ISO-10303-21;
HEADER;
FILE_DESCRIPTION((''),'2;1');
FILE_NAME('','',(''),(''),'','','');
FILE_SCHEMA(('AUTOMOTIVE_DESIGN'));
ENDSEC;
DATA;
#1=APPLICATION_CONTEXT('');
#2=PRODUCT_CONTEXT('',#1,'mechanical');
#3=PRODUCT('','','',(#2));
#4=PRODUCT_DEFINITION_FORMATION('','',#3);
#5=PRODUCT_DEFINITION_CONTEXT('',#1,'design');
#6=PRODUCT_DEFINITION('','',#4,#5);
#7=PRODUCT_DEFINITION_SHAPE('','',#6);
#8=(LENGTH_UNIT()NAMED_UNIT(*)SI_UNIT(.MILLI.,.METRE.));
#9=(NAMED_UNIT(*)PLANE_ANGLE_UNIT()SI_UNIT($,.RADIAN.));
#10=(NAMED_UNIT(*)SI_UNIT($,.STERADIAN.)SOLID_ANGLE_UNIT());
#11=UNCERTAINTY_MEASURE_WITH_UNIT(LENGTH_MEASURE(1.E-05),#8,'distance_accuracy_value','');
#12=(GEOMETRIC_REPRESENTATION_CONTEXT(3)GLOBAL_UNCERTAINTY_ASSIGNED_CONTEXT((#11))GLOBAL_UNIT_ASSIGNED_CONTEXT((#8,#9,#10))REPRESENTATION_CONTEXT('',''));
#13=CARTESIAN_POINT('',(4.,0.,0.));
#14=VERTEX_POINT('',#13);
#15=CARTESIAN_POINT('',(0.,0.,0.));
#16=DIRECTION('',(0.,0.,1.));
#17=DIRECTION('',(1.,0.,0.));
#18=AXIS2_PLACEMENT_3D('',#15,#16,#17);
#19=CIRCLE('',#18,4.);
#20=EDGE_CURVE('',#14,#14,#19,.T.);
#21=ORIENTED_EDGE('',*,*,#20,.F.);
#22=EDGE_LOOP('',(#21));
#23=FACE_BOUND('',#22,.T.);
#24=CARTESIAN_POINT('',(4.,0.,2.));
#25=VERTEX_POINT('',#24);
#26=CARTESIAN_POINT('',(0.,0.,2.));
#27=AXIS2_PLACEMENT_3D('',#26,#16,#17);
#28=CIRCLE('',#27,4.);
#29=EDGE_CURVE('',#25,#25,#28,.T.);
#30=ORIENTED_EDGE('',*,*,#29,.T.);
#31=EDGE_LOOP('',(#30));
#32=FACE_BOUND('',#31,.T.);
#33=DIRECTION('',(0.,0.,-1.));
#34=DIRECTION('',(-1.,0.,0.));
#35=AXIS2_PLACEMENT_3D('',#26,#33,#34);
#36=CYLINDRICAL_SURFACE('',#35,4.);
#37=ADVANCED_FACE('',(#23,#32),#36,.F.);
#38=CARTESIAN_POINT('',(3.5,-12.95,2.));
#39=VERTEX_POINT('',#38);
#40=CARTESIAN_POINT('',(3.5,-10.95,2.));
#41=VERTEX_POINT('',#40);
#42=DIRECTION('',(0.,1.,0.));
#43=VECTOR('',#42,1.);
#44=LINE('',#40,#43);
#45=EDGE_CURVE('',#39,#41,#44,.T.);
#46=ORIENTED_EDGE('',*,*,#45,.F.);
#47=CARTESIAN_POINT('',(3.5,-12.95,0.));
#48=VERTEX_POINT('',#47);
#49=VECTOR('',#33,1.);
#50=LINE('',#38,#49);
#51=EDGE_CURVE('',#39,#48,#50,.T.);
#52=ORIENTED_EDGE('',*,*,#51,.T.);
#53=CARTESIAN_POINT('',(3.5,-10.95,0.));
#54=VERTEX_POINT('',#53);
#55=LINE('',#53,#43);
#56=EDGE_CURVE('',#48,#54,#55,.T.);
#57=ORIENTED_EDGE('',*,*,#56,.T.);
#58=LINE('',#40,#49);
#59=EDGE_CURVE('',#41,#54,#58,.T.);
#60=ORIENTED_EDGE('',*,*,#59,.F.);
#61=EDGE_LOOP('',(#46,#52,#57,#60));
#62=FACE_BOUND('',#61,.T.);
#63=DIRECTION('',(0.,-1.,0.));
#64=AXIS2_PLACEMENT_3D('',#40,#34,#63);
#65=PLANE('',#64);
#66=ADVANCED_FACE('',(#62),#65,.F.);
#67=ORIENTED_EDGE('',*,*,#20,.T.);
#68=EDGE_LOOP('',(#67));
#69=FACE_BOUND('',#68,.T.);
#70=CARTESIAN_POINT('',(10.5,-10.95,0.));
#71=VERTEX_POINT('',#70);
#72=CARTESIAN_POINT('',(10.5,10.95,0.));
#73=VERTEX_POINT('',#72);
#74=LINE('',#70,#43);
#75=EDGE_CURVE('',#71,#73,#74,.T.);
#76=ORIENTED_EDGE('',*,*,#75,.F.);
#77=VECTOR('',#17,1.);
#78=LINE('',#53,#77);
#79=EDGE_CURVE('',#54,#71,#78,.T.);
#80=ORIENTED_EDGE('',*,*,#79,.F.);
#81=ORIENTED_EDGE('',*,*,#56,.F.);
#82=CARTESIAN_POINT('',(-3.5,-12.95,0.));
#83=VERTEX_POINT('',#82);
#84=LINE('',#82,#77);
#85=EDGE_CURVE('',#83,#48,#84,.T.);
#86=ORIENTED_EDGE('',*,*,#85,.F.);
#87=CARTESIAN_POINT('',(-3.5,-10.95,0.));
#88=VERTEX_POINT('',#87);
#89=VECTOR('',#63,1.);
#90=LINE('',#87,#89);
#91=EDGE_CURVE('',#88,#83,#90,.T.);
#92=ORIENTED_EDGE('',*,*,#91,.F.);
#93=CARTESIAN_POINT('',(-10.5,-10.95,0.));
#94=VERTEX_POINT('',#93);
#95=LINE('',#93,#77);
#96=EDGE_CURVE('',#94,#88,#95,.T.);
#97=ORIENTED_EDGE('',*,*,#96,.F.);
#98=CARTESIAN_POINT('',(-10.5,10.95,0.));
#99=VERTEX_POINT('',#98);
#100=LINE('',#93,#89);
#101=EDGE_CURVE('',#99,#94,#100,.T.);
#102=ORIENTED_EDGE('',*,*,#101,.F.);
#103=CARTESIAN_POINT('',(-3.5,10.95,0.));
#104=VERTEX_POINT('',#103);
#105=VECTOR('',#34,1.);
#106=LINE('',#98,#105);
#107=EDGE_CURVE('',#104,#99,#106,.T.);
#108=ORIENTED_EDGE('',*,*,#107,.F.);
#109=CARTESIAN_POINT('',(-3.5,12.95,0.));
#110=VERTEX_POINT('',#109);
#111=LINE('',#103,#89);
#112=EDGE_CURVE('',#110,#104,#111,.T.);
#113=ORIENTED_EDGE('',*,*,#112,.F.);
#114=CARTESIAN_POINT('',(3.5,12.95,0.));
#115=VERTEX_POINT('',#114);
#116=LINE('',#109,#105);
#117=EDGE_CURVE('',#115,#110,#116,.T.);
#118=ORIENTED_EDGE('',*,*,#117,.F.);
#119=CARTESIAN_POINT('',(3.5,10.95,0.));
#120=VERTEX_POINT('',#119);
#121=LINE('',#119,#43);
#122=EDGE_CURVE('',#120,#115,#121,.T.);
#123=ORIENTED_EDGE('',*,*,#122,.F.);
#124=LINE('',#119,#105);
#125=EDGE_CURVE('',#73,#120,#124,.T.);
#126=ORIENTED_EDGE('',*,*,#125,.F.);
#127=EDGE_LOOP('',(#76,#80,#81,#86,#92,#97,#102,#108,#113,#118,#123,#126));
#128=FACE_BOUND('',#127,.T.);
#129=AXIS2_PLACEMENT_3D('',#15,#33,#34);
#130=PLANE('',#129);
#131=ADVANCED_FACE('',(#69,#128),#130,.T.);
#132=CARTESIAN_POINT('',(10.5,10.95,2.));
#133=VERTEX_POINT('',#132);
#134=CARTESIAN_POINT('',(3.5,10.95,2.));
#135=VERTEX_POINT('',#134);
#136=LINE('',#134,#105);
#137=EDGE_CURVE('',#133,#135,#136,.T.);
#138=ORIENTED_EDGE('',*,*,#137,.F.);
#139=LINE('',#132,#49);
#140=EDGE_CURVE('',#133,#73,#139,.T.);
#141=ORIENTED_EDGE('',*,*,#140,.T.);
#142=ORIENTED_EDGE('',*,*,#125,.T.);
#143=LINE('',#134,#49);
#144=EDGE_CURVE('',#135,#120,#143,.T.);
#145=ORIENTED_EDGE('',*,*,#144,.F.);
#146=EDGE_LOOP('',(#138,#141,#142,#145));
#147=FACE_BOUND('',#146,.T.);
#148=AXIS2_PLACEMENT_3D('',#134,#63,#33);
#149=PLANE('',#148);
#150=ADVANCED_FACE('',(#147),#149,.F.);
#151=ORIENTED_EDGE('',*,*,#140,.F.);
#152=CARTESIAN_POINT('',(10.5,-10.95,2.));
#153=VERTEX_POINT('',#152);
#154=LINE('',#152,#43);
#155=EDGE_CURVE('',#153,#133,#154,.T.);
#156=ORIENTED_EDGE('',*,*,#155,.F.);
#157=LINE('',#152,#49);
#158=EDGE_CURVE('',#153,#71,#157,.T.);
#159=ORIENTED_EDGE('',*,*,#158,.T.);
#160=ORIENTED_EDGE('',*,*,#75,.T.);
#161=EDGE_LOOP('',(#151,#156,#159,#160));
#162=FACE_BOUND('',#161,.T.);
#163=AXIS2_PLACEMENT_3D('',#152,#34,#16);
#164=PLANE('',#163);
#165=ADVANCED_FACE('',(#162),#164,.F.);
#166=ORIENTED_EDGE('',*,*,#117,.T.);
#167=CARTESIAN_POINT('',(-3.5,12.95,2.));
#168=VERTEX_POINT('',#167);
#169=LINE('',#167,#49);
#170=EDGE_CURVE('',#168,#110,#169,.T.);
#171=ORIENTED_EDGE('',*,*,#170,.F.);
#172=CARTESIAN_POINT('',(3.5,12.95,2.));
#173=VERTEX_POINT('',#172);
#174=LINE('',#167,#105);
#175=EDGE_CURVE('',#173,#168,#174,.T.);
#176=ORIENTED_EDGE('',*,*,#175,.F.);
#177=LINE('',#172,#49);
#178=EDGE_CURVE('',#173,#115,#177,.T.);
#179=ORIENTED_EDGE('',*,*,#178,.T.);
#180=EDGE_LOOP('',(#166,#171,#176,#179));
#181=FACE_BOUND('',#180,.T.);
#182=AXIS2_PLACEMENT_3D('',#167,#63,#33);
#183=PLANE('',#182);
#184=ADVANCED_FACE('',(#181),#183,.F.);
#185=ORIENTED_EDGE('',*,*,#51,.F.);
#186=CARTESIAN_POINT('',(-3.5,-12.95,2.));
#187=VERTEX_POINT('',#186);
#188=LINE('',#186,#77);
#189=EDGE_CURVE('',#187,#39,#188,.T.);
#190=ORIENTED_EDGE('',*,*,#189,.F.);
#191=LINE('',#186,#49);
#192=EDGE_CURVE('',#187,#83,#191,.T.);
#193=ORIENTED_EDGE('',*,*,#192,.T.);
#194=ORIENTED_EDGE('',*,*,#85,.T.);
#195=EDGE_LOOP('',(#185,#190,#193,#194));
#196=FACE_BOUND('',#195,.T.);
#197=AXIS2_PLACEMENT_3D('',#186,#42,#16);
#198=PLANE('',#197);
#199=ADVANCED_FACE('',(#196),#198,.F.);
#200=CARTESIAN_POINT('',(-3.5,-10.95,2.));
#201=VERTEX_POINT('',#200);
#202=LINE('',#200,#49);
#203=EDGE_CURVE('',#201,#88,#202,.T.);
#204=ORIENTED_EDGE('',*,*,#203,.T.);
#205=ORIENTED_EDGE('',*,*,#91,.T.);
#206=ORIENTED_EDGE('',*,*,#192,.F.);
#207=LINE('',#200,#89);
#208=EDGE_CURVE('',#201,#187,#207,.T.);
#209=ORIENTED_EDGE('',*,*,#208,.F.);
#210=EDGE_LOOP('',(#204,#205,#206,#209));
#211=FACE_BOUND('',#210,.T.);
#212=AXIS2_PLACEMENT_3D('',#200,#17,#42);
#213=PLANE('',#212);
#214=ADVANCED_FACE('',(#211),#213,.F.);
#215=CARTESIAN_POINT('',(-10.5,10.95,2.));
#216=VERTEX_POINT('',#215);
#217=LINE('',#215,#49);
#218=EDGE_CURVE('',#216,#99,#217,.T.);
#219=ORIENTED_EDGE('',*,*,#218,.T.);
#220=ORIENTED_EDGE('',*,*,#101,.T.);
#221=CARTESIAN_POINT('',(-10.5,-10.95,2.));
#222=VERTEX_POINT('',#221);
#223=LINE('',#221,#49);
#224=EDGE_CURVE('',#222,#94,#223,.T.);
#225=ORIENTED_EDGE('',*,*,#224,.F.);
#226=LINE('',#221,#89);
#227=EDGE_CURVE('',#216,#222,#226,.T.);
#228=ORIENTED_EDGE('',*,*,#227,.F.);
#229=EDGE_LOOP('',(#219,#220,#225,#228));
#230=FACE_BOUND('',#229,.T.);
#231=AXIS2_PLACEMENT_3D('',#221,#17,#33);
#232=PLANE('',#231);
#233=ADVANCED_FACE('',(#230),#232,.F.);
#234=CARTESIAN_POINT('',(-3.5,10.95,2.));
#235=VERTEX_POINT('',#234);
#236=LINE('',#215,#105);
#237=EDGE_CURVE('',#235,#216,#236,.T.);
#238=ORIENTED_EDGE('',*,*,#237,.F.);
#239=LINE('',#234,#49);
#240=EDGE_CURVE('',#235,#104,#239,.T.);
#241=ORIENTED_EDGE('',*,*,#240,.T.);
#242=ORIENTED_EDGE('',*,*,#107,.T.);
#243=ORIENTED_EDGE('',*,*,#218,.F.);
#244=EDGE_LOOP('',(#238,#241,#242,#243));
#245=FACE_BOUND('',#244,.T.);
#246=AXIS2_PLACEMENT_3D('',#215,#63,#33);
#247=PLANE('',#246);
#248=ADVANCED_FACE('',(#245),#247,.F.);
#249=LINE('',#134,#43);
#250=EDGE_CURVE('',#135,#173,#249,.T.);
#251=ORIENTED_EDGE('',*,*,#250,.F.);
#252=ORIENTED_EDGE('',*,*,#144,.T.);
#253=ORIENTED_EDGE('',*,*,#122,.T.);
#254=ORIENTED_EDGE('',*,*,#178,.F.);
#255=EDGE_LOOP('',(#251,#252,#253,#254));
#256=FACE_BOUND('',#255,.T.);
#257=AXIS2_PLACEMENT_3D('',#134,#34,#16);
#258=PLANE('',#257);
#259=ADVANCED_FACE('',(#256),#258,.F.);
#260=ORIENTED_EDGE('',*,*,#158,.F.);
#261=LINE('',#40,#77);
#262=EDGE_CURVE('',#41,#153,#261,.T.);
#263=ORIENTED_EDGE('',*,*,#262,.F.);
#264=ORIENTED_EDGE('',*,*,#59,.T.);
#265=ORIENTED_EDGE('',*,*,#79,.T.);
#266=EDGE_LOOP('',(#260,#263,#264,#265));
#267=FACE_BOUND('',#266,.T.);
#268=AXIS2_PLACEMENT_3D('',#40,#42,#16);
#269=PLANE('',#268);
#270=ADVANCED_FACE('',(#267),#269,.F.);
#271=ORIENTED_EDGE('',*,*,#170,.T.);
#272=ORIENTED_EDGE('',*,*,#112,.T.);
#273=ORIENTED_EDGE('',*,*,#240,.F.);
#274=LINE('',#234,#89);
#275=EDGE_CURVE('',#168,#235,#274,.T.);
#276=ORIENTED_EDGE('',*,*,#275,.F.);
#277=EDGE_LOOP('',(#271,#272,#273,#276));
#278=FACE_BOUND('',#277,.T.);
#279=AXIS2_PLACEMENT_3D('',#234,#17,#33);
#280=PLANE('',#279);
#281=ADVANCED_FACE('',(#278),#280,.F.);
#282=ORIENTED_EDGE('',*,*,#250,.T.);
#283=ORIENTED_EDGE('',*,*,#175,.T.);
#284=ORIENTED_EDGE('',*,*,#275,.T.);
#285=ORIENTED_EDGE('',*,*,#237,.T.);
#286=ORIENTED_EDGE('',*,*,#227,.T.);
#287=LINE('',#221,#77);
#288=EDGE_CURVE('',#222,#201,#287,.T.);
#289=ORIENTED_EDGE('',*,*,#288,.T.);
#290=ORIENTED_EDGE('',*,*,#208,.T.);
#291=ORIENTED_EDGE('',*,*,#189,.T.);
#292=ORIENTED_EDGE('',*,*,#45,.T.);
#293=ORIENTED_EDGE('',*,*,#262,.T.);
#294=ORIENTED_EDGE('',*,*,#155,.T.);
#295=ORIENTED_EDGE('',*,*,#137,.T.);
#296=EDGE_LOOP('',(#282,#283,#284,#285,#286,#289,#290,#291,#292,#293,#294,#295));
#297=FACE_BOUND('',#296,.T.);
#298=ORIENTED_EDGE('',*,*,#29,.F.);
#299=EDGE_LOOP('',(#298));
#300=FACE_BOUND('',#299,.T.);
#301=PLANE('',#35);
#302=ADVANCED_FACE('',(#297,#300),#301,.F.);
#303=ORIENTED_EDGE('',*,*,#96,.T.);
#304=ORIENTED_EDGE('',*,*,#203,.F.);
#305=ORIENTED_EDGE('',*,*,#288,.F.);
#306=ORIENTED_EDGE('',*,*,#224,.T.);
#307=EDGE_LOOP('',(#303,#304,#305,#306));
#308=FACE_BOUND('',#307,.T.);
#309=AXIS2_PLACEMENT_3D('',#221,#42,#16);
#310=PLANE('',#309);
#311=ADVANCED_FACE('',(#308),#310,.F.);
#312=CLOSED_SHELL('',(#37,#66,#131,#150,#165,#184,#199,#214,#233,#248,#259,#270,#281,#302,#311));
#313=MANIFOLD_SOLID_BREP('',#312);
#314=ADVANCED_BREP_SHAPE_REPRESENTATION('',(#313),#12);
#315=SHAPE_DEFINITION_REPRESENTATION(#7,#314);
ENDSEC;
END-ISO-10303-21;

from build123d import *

# Parameters (mm, degrees)
SKETCH1_R           = 4
BOSS_EXTRUDE1_DEPTH = 2


with BuildPart() as part:
    # Sketch1 → Boss-Extrude1 (new body)
    with BuildSketch(Plane.XY):
        Polygon((3.5, 10.95), (10.5, 10.95), (10.5, -10.95), (3.5, -10.95), (3.5, -12.95), (-3.5, -12.95), (-3.5, -10.95), (-10.5, -10.95), (-10.5, 10.95), (-3.5, 10.95), (-3.5, 12.95), (3.5, 12.95), align=None)
        Circle(SKETCH1_R, mode=Mode.SUBTRACT)
    extrude(amount=BOSS_EXTRUDE1_DEPTH)


solid = part.part
